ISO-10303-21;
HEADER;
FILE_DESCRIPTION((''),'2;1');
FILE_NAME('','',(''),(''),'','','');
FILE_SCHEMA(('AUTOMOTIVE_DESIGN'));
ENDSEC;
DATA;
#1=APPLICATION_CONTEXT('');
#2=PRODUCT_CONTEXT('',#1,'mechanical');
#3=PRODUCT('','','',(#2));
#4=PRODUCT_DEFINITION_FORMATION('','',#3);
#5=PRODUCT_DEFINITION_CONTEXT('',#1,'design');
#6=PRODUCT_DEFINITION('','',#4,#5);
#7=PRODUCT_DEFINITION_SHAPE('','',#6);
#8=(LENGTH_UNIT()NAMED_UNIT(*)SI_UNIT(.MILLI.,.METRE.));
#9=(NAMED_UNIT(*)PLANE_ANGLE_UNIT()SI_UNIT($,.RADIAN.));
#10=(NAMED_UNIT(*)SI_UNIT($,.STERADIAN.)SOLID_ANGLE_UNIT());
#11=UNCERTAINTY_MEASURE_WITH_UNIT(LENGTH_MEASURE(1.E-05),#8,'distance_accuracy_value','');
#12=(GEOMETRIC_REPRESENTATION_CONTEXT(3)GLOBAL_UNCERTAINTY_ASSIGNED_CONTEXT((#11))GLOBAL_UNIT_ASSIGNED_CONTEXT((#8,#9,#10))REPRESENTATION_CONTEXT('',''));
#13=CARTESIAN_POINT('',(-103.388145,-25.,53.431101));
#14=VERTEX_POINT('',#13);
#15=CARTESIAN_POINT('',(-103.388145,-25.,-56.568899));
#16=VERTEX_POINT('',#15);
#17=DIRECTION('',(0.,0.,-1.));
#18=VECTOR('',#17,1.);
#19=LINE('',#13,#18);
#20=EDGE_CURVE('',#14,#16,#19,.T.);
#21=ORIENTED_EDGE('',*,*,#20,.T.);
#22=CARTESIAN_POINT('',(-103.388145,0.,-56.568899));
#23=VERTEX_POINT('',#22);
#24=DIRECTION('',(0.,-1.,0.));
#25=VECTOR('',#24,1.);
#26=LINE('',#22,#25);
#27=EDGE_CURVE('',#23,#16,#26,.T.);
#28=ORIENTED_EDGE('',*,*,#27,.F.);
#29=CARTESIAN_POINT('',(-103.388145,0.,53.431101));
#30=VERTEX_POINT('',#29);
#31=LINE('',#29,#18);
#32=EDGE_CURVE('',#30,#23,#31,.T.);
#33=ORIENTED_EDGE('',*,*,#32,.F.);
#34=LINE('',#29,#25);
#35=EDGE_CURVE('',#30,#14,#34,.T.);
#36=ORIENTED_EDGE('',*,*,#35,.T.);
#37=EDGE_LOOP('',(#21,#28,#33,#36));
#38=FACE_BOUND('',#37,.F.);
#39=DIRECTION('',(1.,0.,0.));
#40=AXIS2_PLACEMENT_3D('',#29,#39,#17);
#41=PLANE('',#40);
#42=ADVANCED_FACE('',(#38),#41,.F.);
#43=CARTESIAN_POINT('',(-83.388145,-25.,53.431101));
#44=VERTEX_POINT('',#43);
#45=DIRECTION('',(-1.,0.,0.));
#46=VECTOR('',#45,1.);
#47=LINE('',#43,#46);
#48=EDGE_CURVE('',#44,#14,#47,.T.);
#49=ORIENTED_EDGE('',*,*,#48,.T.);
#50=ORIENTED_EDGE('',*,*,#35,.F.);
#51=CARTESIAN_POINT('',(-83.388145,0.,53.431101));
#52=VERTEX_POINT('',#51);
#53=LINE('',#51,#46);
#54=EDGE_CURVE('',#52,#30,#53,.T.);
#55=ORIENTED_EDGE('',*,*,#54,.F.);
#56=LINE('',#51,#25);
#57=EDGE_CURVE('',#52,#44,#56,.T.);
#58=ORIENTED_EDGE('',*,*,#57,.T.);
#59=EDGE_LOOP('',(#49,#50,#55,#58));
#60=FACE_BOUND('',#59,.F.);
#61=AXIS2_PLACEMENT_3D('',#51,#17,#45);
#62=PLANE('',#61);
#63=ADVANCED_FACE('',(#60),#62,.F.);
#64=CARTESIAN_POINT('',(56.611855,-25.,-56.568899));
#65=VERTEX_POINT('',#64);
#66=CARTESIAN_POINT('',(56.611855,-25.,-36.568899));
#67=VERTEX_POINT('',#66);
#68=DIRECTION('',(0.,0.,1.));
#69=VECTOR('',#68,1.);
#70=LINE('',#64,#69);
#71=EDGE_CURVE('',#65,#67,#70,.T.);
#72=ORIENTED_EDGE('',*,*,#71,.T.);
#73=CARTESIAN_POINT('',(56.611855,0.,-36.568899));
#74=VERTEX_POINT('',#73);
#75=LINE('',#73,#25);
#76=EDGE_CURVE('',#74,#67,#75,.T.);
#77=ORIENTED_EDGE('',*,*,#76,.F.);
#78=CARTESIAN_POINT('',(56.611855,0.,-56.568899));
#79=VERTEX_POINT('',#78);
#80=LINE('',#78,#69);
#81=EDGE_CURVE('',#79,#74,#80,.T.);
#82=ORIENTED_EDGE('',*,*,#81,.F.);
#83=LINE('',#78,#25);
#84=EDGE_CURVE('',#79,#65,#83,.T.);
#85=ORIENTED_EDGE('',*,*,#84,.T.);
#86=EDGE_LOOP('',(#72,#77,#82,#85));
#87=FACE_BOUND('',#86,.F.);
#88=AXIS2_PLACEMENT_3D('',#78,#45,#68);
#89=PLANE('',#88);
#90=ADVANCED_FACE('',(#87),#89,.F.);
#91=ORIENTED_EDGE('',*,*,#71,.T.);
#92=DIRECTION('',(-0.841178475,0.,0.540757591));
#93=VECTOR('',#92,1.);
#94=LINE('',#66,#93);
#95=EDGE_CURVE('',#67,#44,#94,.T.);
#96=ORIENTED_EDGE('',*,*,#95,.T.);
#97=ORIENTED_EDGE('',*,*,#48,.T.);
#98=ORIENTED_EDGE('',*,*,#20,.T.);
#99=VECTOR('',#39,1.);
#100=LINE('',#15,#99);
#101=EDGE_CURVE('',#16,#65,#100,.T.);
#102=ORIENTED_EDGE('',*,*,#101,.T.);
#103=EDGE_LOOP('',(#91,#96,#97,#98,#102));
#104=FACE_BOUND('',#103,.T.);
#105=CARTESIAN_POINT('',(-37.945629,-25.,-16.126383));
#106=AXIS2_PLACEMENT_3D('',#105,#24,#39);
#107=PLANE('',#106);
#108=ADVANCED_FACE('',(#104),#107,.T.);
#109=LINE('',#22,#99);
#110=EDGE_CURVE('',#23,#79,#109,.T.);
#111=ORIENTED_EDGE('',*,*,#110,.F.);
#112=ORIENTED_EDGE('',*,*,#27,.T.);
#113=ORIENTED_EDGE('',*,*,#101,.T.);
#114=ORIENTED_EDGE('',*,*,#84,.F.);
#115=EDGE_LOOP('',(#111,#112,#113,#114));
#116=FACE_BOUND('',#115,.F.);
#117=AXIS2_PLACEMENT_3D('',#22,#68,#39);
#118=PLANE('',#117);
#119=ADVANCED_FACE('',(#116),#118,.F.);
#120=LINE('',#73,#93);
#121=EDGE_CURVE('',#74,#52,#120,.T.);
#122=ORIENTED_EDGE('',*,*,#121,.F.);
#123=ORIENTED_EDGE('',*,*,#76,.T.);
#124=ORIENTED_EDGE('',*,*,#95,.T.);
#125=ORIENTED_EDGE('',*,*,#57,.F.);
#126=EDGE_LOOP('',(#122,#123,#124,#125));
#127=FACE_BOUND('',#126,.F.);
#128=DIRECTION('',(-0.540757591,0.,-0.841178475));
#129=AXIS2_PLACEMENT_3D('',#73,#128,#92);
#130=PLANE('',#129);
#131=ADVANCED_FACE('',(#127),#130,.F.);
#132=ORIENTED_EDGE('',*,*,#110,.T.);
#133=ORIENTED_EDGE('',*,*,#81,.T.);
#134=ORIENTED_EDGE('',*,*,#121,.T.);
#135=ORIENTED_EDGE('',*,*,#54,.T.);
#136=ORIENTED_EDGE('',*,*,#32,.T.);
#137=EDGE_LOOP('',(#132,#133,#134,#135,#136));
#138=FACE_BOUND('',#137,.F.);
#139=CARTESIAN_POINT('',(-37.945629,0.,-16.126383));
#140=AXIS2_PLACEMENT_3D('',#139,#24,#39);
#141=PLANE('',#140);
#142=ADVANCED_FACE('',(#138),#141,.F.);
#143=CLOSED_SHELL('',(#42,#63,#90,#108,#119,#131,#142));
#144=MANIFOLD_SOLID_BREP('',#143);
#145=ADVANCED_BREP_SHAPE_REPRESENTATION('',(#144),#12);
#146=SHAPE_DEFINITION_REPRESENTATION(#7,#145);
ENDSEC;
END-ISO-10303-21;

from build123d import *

# Parameters (mm, degrees)
F1_DEPTH = 25
F2_DEPTH = 25
F3_DEPTH = 25
F4_DEPTH = 25
F5_DEPTH = 25


with BuildPart() as f1:
    # F0 (on Front) → F1 (new body)
    with BuildSketch(Plane.XZ):
        Polygon((-83.388145, 53.431101), (-103.388145, 53.431101), (-103.388145, -56.568899), (56.611855, -56.568899), (56.611855, -36.568899), align=None)
    extrude(amount=F1_DEPTH)

    # F0 (on Front) → F2 (join)
    with BuildSketch(Plane.XZ):
        Polygon((-83.388145, 53.431101), (-103.388145, 53.431101), (-103.388145, -56.568899), (56.611855, -56.568899), (56.611855, -36.568899), align=None)
    extrude(amount=F2_DEPTH)

    # F0 (on Front) → F3 (join)
    with BuildSketch(Plane.XZ):
        Polygon((-83.388145, 53.431101), (-103.388145, 53.431101), (-103.388145, -56.568899), (56.611855, -56.568899), (56.611855, -36.568899), align=None)
    extrude(amount=F3_DEPTH)

    # F0 (on Front) → F4 (join)
    with BuildSketch(Plane.XZ):
        Polygon((-83.388145, 53.431101), (-103.388145, 53.431101), (-103.388145, -56.568899), (56.611855, -56.568899), (56.611855, -36.568899), align=None)
    extrude(amount=F4_DEPTH)

    # F0 (on Front) → F5 (join)
    with BuildSketch(Plane.XZ):
        Polygon((-83.388145, 53.431101), (-103.388145, 53.431101), (-103.388145, -56.568899), (56.611855, -56.568899), (56.611855, -36.568899), align=None)
    extrude(amount=F5_DEPTH)


solid = f1.part
